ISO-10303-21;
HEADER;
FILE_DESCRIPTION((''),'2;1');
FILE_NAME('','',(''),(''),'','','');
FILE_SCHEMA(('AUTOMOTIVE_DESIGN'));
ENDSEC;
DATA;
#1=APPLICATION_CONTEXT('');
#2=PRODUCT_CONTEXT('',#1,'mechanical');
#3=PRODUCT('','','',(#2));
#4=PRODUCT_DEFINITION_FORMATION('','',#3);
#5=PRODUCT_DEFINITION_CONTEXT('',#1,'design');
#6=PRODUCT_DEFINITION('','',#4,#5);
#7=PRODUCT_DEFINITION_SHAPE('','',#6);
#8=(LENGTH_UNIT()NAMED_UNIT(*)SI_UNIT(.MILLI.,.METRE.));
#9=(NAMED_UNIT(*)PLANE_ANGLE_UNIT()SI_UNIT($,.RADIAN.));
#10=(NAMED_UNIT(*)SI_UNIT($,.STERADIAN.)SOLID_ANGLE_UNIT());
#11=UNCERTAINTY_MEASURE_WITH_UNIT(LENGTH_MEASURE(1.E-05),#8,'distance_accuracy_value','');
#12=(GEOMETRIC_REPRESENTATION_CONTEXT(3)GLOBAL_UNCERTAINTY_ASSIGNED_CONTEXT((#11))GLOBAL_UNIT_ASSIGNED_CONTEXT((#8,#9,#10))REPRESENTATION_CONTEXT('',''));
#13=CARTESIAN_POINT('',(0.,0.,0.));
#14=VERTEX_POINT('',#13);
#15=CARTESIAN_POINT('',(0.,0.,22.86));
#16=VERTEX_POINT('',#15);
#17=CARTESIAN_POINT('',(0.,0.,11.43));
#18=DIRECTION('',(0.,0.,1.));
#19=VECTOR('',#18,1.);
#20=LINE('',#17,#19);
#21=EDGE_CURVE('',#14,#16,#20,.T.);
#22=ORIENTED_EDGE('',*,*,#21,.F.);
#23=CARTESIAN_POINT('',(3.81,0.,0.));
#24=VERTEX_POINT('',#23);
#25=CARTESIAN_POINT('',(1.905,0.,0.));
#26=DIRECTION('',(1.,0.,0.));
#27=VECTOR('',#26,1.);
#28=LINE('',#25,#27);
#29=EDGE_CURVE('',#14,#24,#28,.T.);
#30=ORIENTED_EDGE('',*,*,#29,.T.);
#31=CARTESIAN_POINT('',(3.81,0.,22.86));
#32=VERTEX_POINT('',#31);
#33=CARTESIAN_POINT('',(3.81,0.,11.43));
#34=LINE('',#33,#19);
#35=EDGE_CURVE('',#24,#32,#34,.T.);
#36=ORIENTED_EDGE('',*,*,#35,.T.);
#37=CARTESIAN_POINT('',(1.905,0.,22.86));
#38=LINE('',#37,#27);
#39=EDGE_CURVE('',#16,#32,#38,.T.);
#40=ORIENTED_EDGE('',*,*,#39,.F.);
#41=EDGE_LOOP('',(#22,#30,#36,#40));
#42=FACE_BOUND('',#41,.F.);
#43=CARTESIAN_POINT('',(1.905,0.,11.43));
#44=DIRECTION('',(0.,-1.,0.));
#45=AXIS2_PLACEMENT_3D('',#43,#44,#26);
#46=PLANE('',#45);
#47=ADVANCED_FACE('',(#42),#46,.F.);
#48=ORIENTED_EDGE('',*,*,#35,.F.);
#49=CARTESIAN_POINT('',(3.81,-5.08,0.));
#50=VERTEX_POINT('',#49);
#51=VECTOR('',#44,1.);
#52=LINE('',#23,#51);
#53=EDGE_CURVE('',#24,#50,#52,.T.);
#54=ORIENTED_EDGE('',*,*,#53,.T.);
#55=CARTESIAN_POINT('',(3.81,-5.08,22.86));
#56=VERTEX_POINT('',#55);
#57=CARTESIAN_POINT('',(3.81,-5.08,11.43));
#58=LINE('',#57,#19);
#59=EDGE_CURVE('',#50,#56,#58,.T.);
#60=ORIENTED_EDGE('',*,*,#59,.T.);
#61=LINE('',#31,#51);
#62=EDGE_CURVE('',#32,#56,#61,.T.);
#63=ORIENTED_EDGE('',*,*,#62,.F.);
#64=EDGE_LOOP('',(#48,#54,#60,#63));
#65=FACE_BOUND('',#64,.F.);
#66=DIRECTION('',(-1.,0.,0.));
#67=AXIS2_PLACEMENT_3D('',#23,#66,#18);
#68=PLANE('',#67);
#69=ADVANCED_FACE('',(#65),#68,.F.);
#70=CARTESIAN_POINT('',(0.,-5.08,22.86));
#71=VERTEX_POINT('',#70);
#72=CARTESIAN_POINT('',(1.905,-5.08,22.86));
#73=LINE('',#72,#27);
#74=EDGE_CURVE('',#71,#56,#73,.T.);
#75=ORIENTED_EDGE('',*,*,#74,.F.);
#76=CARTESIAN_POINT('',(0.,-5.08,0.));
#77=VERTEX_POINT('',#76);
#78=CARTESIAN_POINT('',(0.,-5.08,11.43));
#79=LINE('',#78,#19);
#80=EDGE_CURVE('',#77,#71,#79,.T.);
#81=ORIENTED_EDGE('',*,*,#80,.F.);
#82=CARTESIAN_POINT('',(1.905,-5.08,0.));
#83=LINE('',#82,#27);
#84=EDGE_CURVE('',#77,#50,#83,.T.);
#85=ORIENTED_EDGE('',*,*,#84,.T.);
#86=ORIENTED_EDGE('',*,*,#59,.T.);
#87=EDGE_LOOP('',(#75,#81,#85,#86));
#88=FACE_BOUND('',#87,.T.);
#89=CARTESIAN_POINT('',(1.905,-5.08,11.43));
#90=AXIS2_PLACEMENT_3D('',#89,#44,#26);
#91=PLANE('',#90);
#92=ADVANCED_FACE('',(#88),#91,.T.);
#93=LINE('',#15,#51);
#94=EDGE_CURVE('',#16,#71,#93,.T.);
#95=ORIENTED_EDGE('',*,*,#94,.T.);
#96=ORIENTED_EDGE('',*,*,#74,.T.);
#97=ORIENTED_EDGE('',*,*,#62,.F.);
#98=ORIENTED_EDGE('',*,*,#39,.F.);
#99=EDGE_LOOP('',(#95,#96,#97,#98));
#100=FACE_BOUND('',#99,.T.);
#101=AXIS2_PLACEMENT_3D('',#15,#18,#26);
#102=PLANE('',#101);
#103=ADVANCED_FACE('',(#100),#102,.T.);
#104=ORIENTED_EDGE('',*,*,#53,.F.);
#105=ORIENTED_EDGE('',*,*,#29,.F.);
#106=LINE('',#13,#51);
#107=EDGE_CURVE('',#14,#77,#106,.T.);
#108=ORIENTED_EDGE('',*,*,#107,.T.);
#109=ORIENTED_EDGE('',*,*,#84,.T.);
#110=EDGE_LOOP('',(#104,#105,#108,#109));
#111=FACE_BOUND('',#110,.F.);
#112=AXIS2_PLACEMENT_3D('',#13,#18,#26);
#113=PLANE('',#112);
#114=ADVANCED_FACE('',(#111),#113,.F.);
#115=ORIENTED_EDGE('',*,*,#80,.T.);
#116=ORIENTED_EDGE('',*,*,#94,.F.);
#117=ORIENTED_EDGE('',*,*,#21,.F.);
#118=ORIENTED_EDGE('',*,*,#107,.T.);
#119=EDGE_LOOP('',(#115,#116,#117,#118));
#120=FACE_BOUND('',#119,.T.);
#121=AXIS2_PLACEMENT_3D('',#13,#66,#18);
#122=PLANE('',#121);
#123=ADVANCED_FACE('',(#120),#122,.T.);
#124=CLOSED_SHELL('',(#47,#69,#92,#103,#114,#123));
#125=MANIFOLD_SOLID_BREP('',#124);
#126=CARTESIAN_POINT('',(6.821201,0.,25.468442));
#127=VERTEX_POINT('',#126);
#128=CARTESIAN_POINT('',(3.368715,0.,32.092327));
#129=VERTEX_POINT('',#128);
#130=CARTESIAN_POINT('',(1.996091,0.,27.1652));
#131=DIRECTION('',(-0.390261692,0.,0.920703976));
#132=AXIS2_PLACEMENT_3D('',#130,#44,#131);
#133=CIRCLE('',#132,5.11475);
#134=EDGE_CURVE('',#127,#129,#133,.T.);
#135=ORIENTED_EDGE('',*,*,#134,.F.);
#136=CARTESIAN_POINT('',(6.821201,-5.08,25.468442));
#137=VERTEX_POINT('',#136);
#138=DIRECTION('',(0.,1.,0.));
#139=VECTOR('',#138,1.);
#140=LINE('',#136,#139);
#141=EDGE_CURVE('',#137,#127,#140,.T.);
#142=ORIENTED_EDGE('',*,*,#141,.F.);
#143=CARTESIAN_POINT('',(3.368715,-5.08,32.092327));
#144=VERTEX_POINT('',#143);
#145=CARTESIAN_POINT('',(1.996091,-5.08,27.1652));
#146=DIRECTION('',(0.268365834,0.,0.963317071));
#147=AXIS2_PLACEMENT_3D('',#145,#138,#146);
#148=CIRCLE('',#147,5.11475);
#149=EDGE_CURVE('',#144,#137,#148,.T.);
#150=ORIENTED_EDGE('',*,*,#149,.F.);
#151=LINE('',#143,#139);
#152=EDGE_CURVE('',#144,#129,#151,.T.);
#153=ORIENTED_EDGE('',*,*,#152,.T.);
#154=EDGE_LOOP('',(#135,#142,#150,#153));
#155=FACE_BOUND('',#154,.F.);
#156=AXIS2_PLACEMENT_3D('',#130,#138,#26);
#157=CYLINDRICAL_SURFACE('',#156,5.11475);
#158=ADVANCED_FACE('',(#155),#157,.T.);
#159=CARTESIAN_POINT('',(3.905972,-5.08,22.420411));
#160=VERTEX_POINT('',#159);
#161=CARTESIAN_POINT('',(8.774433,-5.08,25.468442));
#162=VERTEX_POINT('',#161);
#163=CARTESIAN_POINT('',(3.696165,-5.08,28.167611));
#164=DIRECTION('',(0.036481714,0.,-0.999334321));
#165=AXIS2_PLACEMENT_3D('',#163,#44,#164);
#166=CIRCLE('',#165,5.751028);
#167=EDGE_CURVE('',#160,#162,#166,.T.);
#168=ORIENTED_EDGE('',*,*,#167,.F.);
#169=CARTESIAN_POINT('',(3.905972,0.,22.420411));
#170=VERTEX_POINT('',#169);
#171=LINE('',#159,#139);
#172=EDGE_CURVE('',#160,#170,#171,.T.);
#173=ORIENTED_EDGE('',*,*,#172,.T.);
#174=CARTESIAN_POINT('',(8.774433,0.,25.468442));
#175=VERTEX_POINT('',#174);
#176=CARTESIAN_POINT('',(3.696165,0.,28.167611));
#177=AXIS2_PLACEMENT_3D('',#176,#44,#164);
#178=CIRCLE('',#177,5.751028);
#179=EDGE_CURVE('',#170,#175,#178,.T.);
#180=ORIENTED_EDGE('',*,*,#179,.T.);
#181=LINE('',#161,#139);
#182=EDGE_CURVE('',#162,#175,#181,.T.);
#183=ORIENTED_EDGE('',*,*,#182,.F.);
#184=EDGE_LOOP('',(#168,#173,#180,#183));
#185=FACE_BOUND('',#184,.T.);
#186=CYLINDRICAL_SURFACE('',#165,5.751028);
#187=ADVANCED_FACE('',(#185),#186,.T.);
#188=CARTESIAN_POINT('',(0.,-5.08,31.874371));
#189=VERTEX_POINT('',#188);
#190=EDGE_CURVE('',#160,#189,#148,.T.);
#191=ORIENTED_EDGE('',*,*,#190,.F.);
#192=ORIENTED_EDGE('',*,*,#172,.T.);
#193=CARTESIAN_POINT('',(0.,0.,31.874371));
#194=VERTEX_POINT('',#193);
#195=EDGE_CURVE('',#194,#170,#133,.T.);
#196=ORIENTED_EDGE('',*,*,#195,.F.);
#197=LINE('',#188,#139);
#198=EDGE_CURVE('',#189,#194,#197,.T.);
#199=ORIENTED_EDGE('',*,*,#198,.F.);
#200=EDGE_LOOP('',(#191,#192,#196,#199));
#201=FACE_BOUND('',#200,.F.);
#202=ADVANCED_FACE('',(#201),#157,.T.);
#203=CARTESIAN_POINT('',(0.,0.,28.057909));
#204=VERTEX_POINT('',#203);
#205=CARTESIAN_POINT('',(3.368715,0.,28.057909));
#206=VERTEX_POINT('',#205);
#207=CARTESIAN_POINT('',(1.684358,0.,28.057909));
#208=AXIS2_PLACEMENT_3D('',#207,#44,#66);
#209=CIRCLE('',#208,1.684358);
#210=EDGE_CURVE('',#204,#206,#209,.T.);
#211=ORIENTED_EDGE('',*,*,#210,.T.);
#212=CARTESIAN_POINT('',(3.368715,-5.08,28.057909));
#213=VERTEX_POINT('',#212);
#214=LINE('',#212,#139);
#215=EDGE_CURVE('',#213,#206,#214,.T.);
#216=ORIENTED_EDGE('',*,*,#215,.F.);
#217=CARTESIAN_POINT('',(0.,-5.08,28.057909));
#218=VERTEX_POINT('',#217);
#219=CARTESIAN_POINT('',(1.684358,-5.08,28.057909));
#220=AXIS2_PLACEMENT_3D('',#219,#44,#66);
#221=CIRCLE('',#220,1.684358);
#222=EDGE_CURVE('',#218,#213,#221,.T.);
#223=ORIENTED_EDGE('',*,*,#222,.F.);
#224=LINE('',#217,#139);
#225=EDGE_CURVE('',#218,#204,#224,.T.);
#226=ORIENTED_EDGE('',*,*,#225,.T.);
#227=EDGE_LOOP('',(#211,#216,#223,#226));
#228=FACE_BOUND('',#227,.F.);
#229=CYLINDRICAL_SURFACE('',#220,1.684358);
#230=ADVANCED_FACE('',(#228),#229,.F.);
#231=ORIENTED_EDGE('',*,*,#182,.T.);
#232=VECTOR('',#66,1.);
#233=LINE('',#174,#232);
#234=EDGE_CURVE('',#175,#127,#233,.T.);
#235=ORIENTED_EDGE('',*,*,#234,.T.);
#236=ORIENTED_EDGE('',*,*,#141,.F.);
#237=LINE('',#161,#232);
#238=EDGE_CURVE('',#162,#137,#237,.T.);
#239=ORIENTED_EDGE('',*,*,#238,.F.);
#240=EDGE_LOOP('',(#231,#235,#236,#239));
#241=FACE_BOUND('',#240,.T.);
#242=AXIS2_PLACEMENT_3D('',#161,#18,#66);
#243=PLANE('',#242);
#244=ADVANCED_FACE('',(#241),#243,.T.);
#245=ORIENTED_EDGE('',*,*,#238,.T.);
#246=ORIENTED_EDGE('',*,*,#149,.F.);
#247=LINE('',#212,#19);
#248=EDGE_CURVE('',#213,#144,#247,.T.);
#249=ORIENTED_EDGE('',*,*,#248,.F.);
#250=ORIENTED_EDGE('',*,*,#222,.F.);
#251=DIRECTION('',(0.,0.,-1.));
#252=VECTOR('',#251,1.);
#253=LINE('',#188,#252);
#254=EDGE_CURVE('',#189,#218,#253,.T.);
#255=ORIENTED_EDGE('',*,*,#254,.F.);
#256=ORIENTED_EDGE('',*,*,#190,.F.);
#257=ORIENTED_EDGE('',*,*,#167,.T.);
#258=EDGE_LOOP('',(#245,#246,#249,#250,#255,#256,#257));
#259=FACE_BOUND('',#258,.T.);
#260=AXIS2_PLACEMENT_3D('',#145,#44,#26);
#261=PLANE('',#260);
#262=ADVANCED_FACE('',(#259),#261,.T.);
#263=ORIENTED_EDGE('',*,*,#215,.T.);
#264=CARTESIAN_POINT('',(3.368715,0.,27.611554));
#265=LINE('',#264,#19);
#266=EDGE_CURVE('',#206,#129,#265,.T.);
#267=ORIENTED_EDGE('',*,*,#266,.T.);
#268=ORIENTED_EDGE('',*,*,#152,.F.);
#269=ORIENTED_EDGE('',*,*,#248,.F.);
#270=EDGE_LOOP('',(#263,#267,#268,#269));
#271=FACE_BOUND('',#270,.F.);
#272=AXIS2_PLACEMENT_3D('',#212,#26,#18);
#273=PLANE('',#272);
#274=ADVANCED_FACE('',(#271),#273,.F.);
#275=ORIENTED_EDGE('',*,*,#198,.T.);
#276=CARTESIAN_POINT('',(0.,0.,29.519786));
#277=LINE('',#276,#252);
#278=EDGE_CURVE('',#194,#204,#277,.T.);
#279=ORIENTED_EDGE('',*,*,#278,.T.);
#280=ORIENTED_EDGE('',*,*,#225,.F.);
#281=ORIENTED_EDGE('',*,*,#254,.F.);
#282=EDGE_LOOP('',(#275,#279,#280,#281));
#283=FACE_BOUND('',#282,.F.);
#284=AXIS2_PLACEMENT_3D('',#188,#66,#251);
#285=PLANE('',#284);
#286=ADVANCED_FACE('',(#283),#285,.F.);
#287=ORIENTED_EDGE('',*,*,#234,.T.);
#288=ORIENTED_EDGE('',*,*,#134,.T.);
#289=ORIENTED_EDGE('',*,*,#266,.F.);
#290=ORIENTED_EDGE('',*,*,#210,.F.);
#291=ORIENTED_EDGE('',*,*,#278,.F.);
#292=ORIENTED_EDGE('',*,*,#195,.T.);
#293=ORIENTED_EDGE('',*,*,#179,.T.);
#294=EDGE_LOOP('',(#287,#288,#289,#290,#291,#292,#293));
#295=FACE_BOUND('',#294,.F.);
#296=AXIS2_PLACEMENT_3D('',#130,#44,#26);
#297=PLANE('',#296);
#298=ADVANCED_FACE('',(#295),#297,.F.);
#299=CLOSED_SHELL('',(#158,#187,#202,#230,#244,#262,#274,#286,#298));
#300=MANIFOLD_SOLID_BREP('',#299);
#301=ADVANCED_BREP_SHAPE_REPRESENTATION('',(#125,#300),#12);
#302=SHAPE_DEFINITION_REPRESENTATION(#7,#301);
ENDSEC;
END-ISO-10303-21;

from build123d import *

# Parameters (mm, degrees)
F1_R     = 5.114750284
F2_DEPTH = 5.08
F0_W     = 3.81
F0_H     = 22.86
F4_DEPTH = 5.081
F6_DEPTH = 5.08


with BuildPart() as f2:
    # F1 (on Front) → F2 (new body)
    with BuildSketch(Plane.XZ):
        with Locations((1.9960911013, 27.1652003531)):
            Circle(F1_R)
    extrude(amount=F2_DEPTH)

    # F3 (on face) → F4 (cut, through all)
    with BuildSketch(Plane.XZ.offset(5.08)):
        with BuildLine():
            Line((3.3687153245, 28.0579085851), (3.3687153245, 32.0923266159))
            ThreePointArc((3.3687153245, 32.0923266159), (1.6658580479, 32.269278781), (0, 31.8743712762))
            Line((0, 31.8743712762), (0, 28.0579085851))
            ThreePointArc((0, 28.0579085851), (1.6843576623, 26.3735509229), (3.3687153245, 28.0579085851))
        make_face()
    extrude(amount=-F4_DEPTH, mode=Mode.SUBTRACT)

    # F5 (on face) → F6 (join)
    with BuildSketch(Plane.XZ.offset(5.08)):
        with BuildLine():
            Line((8.7744330163, 25.4684417613), (6.8212005041, 25.4684417613))
            ThreePointArc((6.8212005041, 25.4684417613), (5.6923928708, 23.6299459498), (3.9059721433, 22.4204111193))
            ThreePointArc((3.9059721433, 22.4204111193), (6.7479771265, 23.2931093577), (8.7744330163, 25.4684417613))
        make_face()
    extrude(amount=-F6_DEPTH)


with BuildPart() as f2b:
    # F0 (on Front) → F2, piece 2 (new body)
    with BuildSketch(Plane.XZ):
        with Locations((1.905, 11.43)):
            Rectangle(F0_W, F0_H)
    extrude(amount=F2_DEPTH)


solid = Compound([f2.part, f2b.part])
